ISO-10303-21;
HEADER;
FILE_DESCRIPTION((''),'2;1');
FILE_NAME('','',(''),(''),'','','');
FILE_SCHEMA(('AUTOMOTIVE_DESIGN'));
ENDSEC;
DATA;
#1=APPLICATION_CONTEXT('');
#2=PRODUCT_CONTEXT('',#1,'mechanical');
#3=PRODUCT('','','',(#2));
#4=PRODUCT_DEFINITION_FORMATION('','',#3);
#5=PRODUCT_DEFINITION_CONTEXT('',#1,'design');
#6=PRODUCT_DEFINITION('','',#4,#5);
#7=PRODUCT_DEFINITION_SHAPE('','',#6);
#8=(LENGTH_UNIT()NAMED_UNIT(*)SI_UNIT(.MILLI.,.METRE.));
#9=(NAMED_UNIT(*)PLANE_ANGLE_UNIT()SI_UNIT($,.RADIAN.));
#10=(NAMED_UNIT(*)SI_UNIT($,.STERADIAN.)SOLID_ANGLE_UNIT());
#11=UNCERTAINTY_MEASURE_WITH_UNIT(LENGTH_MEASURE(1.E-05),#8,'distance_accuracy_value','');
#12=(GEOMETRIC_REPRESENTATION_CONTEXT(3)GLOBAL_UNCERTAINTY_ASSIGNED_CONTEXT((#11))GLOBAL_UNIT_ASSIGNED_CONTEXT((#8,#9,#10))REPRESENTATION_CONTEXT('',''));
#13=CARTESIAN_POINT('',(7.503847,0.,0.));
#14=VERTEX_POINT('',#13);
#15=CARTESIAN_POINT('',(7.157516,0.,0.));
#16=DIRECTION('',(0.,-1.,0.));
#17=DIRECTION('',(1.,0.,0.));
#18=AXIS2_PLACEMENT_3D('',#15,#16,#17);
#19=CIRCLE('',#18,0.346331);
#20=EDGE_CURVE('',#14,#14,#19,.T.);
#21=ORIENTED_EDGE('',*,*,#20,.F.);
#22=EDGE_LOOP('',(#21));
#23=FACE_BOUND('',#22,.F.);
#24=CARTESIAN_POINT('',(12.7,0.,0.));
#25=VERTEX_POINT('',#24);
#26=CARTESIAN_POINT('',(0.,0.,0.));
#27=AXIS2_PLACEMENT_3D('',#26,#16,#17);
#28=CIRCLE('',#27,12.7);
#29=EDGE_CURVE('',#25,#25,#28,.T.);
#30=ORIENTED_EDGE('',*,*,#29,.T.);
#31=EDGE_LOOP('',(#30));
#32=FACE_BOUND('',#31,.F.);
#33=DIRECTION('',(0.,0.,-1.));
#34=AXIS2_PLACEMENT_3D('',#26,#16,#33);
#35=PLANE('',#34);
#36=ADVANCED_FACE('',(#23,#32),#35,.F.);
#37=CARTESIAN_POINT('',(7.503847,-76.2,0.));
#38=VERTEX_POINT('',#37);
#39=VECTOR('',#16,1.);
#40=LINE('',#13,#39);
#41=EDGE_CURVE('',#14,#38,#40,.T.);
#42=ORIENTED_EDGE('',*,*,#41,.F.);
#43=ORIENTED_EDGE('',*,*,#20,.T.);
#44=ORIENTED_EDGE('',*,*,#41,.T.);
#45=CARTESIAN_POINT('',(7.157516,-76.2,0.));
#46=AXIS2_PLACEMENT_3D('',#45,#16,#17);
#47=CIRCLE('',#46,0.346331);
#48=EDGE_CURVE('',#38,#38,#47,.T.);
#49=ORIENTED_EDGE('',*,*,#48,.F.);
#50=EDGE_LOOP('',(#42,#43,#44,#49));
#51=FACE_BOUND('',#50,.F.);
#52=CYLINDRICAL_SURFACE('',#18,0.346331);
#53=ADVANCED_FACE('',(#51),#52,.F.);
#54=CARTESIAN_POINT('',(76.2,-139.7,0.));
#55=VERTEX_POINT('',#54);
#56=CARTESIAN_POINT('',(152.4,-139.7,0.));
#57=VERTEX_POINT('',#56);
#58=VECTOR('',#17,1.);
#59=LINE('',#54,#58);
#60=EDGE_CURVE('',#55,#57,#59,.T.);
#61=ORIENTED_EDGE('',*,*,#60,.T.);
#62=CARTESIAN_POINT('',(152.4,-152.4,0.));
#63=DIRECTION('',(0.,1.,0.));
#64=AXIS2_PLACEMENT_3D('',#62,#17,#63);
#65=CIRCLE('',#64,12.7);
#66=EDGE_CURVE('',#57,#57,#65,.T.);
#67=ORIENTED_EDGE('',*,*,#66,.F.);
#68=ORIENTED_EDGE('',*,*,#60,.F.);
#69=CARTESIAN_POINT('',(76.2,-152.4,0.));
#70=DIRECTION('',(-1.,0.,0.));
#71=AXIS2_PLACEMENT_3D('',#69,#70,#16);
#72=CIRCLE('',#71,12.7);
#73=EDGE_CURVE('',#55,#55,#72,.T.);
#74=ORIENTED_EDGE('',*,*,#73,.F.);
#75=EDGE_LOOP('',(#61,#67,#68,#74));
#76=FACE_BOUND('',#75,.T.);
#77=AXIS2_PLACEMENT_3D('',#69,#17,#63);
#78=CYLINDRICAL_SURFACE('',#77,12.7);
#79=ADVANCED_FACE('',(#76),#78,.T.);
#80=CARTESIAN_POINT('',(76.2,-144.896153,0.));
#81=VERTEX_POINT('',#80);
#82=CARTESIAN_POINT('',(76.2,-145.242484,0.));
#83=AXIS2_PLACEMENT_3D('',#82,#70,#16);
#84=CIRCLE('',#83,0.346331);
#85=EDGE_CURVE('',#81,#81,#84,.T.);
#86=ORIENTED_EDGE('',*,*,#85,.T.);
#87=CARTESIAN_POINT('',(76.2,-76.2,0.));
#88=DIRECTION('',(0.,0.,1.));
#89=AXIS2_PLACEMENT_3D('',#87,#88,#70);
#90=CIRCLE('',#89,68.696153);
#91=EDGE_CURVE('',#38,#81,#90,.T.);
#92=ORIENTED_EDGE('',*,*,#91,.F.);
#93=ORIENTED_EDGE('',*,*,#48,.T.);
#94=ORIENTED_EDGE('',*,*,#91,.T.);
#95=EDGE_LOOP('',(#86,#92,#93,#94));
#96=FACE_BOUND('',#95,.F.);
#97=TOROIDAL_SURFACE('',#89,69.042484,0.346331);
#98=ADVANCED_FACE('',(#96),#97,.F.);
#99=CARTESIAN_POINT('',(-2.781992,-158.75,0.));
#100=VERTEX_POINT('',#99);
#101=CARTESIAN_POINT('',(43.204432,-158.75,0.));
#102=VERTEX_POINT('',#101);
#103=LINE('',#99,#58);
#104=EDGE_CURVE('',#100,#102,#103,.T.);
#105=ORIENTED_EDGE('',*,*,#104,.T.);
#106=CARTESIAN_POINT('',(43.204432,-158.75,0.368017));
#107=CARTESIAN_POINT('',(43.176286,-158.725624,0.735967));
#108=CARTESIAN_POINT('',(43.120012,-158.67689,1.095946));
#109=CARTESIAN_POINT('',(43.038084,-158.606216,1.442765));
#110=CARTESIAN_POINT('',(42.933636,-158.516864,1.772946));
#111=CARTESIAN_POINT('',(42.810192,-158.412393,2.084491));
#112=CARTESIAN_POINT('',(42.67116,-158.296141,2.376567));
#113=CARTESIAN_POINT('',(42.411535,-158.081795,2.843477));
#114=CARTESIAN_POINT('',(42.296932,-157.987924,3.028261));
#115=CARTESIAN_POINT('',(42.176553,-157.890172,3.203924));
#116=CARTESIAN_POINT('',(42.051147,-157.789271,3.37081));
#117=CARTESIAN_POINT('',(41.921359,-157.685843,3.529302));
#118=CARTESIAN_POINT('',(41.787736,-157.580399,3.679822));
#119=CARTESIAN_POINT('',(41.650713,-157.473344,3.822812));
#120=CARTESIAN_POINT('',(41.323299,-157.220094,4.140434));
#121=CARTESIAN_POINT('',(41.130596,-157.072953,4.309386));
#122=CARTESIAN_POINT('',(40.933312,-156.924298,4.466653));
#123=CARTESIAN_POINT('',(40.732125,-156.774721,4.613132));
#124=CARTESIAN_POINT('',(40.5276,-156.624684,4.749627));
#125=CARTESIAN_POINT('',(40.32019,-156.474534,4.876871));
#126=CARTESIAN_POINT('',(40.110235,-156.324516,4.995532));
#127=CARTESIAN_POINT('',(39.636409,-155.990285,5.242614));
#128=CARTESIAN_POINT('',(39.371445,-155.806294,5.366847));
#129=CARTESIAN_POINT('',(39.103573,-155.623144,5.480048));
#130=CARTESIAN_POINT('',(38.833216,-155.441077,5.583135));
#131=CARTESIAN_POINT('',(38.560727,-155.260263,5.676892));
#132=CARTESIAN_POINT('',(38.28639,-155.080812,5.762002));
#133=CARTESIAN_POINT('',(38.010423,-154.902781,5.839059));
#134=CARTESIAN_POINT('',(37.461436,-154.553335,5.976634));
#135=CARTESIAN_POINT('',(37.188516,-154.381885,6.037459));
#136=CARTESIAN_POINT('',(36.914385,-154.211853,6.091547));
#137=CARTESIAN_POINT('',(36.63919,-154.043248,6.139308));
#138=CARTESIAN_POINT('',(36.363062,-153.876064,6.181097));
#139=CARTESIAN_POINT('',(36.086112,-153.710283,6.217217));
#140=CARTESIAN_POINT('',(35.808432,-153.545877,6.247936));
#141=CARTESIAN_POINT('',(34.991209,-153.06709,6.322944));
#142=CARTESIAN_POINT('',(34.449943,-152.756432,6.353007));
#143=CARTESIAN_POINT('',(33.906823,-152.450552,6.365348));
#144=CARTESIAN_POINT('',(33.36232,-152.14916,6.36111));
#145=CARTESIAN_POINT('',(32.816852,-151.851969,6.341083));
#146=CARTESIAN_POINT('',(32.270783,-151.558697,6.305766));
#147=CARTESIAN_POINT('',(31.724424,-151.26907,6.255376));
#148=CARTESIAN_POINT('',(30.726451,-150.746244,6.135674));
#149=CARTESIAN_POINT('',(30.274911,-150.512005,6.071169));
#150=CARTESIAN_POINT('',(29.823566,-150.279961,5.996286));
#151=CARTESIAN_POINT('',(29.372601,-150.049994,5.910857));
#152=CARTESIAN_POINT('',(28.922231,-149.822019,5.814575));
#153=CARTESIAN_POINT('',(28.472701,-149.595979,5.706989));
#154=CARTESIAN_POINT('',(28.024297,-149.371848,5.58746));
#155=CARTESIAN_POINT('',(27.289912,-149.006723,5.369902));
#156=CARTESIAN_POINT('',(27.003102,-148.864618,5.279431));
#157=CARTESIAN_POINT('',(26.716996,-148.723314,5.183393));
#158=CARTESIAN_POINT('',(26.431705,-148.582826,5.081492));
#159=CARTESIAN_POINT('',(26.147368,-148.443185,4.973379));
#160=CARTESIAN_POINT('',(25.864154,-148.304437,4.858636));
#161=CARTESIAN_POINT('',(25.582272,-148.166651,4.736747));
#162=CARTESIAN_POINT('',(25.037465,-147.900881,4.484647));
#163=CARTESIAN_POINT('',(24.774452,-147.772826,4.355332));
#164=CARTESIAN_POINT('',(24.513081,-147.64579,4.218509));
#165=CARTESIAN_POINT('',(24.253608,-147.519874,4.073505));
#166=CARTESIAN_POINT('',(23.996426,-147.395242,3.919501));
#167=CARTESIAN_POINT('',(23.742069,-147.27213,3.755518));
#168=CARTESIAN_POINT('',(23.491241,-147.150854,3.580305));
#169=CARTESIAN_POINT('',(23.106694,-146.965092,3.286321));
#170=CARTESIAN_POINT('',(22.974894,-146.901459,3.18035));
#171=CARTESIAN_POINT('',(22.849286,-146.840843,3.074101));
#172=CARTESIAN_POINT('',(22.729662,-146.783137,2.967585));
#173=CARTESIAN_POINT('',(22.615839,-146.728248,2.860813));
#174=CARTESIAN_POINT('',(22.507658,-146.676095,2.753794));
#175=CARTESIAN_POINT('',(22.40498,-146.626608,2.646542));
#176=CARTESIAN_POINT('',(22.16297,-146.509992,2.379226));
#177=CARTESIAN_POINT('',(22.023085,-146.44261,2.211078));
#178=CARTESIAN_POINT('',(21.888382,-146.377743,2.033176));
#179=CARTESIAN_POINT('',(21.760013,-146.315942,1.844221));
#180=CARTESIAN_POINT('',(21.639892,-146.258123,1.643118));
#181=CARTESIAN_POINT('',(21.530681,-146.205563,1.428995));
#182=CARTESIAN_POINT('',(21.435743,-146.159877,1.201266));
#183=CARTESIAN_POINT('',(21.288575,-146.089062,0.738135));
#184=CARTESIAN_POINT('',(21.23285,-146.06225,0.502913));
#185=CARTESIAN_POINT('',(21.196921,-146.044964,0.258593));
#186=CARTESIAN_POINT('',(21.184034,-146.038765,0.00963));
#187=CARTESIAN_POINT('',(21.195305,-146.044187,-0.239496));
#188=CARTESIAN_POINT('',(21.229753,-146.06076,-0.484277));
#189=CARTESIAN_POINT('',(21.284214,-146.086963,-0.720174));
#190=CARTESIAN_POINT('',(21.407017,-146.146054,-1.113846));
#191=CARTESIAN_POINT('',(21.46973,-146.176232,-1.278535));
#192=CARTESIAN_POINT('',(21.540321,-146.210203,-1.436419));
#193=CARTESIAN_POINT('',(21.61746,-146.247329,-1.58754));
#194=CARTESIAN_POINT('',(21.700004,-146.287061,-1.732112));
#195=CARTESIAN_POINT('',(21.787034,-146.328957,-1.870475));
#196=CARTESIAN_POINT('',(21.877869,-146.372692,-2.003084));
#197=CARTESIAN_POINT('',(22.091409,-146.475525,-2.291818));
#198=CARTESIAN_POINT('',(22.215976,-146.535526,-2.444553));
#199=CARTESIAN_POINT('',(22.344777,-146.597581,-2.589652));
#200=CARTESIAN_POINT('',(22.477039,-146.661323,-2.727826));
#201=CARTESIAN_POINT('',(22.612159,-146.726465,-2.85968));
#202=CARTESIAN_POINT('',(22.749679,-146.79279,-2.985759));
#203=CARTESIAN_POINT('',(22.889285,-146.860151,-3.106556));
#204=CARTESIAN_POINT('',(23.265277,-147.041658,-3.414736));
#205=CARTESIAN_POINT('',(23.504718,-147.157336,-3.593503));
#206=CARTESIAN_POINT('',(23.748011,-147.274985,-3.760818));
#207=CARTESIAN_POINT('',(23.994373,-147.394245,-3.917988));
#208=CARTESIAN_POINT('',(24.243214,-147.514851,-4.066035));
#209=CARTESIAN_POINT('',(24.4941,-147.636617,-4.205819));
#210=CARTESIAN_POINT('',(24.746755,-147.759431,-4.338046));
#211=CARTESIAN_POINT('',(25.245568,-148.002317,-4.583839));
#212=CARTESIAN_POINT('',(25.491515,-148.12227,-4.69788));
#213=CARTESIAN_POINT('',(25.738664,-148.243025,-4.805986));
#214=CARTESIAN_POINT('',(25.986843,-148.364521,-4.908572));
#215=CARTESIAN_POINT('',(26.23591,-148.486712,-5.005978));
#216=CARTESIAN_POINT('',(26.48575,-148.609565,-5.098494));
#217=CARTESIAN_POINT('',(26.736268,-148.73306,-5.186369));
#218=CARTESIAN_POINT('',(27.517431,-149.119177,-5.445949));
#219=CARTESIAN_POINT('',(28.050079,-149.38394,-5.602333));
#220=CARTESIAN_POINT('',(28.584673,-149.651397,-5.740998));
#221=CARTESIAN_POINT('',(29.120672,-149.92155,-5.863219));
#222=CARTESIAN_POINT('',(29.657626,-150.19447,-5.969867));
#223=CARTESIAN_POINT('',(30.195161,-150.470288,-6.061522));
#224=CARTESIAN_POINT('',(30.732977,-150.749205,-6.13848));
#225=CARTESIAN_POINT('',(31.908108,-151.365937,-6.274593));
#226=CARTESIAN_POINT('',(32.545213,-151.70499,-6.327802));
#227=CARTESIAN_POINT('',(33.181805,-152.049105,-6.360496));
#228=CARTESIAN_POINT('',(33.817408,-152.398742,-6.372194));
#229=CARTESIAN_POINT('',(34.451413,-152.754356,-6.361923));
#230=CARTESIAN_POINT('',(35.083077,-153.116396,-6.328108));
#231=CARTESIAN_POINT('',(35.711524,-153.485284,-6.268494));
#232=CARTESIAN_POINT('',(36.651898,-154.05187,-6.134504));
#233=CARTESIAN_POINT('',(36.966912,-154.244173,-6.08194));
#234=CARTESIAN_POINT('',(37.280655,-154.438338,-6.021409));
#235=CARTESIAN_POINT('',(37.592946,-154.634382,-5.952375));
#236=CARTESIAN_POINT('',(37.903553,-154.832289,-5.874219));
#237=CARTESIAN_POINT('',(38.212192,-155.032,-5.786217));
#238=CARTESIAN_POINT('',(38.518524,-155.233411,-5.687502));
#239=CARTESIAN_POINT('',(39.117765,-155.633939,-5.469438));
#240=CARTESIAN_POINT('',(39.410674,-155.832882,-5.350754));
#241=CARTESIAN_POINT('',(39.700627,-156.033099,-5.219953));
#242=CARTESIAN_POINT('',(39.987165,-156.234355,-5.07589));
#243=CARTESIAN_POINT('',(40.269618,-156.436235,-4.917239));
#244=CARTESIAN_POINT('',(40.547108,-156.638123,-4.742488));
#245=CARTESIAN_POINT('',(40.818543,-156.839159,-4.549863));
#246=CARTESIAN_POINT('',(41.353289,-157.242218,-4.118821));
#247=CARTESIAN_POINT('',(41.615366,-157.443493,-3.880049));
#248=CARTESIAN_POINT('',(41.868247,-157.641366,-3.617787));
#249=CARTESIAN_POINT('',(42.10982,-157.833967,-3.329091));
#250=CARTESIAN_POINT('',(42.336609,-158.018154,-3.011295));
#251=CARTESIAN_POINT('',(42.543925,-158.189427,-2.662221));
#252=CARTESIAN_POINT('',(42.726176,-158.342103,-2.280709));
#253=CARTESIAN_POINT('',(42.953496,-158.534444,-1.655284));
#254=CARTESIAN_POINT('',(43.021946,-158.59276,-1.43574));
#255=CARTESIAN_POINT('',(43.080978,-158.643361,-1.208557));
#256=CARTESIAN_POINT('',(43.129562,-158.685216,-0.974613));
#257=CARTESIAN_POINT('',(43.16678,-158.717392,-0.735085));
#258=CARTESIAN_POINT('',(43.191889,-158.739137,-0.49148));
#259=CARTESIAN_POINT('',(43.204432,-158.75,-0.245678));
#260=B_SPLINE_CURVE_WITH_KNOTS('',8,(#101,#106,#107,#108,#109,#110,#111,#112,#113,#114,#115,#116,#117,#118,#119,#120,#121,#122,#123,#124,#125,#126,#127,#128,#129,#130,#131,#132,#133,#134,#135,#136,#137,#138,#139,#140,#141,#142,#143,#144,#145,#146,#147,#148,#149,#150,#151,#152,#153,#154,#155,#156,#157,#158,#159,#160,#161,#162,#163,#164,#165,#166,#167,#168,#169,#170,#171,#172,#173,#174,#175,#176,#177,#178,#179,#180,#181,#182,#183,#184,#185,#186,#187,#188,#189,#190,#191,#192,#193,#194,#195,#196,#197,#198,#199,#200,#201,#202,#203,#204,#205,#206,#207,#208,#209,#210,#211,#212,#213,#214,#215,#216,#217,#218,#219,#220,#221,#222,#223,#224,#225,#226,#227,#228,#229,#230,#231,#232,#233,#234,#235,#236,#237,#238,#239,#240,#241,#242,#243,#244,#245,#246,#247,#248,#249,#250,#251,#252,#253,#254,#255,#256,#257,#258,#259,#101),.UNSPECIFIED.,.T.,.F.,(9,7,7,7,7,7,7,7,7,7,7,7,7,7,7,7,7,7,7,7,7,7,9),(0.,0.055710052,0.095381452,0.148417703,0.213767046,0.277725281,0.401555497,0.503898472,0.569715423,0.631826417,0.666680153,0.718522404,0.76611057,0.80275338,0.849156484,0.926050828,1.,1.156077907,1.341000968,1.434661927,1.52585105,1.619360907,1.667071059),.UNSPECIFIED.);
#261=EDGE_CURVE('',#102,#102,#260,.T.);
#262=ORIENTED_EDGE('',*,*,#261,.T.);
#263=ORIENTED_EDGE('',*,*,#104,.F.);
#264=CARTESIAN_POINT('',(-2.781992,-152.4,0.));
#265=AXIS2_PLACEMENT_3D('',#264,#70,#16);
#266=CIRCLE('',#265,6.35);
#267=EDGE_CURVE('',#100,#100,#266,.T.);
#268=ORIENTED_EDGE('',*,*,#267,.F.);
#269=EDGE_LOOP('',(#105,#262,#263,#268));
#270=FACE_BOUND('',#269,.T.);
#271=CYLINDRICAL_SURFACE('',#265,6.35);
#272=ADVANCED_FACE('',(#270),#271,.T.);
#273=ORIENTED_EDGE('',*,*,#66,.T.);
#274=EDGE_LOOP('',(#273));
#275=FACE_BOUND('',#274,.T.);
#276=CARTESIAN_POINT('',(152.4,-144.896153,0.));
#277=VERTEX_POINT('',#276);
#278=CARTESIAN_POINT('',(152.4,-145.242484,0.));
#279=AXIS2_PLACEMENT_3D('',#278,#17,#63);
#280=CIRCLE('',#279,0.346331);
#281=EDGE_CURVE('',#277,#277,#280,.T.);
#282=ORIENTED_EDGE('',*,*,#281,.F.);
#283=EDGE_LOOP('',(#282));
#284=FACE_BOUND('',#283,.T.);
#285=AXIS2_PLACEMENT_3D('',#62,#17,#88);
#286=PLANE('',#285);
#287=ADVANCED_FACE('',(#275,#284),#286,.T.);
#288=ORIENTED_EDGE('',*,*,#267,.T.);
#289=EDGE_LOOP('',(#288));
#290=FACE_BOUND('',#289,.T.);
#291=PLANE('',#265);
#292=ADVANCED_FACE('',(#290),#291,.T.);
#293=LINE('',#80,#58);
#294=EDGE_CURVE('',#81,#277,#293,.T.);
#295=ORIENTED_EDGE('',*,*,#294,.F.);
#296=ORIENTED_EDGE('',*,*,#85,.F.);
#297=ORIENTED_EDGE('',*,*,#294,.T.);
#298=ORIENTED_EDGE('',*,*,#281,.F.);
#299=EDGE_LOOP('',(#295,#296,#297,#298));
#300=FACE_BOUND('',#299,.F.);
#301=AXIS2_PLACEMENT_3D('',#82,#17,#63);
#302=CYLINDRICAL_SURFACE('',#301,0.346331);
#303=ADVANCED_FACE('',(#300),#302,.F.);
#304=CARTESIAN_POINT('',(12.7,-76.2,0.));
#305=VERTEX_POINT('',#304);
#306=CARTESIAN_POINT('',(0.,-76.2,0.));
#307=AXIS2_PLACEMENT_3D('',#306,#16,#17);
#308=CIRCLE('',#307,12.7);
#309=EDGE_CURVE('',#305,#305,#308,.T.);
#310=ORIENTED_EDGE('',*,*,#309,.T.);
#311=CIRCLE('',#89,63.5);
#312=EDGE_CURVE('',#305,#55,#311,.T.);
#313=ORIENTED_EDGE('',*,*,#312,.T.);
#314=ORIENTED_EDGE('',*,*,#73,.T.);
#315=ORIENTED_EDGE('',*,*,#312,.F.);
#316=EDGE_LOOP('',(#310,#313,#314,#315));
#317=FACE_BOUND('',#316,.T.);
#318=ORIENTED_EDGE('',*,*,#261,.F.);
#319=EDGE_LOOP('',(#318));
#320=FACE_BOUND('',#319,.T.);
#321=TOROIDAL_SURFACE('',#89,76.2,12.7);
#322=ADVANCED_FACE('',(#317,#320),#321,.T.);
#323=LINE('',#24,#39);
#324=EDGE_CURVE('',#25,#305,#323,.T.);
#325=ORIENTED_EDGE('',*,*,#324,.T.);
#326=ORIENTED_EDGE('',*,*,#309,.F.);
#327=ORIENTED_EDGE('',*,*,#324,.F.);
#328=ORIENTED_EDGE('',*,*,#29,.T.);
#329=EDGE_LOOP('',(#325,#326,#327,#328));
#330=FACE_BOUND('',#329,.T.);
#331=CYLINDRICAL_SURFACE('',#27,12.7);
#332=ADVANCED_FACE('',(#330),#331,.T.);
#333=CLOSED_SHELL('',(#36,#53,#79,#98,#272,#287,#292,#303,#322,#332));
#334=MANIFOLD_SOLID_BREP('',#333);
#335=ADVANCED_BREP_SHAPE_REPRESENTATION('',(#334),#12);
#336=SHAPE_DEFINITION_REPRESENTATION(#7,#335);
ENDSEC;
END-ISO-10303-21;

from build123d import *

# Parameters (mm, degrees)
F1_R     = 12.7
F1_R_2   = 0.3463313715
F4_R     = 6.35
F5_DEPTH = 45.9864238844


with BuildPart() as f2:
    # F2: sweep along a path in F0
    with BuildLine(Plane.XY) as f2_path:
        Line((0, 0), (0, -76.2))
        ThreePointArc((0, -76.2), (22.3184632736, -130.0815367264), (76.2, -152.4))
        Line((76.2, -152.4), (152.4, -152.4))
    # F1 (on Front) → F2 (sweep)
    with BuildSketch(Plane.XZ):
        Circle(F1_R)
        with Locations((7.1575159242, 0)):
            Circle(F1_R_2, mode=Mode.SUBTRACT)
    sweep(path=f2_path.line)

    # F4 (on line) → F5 (join, through all)
    with BuildSketch(Plane(origin=(-2.7819916686, 0, 0), x_dir=(0, -1, 0), z_dir=(-1, 0, 0))):
        with Locations((152.4, 0)):
            Circle(F4_R)
    extrude(amount=-F5_DEPTH)


solid = f2.part
